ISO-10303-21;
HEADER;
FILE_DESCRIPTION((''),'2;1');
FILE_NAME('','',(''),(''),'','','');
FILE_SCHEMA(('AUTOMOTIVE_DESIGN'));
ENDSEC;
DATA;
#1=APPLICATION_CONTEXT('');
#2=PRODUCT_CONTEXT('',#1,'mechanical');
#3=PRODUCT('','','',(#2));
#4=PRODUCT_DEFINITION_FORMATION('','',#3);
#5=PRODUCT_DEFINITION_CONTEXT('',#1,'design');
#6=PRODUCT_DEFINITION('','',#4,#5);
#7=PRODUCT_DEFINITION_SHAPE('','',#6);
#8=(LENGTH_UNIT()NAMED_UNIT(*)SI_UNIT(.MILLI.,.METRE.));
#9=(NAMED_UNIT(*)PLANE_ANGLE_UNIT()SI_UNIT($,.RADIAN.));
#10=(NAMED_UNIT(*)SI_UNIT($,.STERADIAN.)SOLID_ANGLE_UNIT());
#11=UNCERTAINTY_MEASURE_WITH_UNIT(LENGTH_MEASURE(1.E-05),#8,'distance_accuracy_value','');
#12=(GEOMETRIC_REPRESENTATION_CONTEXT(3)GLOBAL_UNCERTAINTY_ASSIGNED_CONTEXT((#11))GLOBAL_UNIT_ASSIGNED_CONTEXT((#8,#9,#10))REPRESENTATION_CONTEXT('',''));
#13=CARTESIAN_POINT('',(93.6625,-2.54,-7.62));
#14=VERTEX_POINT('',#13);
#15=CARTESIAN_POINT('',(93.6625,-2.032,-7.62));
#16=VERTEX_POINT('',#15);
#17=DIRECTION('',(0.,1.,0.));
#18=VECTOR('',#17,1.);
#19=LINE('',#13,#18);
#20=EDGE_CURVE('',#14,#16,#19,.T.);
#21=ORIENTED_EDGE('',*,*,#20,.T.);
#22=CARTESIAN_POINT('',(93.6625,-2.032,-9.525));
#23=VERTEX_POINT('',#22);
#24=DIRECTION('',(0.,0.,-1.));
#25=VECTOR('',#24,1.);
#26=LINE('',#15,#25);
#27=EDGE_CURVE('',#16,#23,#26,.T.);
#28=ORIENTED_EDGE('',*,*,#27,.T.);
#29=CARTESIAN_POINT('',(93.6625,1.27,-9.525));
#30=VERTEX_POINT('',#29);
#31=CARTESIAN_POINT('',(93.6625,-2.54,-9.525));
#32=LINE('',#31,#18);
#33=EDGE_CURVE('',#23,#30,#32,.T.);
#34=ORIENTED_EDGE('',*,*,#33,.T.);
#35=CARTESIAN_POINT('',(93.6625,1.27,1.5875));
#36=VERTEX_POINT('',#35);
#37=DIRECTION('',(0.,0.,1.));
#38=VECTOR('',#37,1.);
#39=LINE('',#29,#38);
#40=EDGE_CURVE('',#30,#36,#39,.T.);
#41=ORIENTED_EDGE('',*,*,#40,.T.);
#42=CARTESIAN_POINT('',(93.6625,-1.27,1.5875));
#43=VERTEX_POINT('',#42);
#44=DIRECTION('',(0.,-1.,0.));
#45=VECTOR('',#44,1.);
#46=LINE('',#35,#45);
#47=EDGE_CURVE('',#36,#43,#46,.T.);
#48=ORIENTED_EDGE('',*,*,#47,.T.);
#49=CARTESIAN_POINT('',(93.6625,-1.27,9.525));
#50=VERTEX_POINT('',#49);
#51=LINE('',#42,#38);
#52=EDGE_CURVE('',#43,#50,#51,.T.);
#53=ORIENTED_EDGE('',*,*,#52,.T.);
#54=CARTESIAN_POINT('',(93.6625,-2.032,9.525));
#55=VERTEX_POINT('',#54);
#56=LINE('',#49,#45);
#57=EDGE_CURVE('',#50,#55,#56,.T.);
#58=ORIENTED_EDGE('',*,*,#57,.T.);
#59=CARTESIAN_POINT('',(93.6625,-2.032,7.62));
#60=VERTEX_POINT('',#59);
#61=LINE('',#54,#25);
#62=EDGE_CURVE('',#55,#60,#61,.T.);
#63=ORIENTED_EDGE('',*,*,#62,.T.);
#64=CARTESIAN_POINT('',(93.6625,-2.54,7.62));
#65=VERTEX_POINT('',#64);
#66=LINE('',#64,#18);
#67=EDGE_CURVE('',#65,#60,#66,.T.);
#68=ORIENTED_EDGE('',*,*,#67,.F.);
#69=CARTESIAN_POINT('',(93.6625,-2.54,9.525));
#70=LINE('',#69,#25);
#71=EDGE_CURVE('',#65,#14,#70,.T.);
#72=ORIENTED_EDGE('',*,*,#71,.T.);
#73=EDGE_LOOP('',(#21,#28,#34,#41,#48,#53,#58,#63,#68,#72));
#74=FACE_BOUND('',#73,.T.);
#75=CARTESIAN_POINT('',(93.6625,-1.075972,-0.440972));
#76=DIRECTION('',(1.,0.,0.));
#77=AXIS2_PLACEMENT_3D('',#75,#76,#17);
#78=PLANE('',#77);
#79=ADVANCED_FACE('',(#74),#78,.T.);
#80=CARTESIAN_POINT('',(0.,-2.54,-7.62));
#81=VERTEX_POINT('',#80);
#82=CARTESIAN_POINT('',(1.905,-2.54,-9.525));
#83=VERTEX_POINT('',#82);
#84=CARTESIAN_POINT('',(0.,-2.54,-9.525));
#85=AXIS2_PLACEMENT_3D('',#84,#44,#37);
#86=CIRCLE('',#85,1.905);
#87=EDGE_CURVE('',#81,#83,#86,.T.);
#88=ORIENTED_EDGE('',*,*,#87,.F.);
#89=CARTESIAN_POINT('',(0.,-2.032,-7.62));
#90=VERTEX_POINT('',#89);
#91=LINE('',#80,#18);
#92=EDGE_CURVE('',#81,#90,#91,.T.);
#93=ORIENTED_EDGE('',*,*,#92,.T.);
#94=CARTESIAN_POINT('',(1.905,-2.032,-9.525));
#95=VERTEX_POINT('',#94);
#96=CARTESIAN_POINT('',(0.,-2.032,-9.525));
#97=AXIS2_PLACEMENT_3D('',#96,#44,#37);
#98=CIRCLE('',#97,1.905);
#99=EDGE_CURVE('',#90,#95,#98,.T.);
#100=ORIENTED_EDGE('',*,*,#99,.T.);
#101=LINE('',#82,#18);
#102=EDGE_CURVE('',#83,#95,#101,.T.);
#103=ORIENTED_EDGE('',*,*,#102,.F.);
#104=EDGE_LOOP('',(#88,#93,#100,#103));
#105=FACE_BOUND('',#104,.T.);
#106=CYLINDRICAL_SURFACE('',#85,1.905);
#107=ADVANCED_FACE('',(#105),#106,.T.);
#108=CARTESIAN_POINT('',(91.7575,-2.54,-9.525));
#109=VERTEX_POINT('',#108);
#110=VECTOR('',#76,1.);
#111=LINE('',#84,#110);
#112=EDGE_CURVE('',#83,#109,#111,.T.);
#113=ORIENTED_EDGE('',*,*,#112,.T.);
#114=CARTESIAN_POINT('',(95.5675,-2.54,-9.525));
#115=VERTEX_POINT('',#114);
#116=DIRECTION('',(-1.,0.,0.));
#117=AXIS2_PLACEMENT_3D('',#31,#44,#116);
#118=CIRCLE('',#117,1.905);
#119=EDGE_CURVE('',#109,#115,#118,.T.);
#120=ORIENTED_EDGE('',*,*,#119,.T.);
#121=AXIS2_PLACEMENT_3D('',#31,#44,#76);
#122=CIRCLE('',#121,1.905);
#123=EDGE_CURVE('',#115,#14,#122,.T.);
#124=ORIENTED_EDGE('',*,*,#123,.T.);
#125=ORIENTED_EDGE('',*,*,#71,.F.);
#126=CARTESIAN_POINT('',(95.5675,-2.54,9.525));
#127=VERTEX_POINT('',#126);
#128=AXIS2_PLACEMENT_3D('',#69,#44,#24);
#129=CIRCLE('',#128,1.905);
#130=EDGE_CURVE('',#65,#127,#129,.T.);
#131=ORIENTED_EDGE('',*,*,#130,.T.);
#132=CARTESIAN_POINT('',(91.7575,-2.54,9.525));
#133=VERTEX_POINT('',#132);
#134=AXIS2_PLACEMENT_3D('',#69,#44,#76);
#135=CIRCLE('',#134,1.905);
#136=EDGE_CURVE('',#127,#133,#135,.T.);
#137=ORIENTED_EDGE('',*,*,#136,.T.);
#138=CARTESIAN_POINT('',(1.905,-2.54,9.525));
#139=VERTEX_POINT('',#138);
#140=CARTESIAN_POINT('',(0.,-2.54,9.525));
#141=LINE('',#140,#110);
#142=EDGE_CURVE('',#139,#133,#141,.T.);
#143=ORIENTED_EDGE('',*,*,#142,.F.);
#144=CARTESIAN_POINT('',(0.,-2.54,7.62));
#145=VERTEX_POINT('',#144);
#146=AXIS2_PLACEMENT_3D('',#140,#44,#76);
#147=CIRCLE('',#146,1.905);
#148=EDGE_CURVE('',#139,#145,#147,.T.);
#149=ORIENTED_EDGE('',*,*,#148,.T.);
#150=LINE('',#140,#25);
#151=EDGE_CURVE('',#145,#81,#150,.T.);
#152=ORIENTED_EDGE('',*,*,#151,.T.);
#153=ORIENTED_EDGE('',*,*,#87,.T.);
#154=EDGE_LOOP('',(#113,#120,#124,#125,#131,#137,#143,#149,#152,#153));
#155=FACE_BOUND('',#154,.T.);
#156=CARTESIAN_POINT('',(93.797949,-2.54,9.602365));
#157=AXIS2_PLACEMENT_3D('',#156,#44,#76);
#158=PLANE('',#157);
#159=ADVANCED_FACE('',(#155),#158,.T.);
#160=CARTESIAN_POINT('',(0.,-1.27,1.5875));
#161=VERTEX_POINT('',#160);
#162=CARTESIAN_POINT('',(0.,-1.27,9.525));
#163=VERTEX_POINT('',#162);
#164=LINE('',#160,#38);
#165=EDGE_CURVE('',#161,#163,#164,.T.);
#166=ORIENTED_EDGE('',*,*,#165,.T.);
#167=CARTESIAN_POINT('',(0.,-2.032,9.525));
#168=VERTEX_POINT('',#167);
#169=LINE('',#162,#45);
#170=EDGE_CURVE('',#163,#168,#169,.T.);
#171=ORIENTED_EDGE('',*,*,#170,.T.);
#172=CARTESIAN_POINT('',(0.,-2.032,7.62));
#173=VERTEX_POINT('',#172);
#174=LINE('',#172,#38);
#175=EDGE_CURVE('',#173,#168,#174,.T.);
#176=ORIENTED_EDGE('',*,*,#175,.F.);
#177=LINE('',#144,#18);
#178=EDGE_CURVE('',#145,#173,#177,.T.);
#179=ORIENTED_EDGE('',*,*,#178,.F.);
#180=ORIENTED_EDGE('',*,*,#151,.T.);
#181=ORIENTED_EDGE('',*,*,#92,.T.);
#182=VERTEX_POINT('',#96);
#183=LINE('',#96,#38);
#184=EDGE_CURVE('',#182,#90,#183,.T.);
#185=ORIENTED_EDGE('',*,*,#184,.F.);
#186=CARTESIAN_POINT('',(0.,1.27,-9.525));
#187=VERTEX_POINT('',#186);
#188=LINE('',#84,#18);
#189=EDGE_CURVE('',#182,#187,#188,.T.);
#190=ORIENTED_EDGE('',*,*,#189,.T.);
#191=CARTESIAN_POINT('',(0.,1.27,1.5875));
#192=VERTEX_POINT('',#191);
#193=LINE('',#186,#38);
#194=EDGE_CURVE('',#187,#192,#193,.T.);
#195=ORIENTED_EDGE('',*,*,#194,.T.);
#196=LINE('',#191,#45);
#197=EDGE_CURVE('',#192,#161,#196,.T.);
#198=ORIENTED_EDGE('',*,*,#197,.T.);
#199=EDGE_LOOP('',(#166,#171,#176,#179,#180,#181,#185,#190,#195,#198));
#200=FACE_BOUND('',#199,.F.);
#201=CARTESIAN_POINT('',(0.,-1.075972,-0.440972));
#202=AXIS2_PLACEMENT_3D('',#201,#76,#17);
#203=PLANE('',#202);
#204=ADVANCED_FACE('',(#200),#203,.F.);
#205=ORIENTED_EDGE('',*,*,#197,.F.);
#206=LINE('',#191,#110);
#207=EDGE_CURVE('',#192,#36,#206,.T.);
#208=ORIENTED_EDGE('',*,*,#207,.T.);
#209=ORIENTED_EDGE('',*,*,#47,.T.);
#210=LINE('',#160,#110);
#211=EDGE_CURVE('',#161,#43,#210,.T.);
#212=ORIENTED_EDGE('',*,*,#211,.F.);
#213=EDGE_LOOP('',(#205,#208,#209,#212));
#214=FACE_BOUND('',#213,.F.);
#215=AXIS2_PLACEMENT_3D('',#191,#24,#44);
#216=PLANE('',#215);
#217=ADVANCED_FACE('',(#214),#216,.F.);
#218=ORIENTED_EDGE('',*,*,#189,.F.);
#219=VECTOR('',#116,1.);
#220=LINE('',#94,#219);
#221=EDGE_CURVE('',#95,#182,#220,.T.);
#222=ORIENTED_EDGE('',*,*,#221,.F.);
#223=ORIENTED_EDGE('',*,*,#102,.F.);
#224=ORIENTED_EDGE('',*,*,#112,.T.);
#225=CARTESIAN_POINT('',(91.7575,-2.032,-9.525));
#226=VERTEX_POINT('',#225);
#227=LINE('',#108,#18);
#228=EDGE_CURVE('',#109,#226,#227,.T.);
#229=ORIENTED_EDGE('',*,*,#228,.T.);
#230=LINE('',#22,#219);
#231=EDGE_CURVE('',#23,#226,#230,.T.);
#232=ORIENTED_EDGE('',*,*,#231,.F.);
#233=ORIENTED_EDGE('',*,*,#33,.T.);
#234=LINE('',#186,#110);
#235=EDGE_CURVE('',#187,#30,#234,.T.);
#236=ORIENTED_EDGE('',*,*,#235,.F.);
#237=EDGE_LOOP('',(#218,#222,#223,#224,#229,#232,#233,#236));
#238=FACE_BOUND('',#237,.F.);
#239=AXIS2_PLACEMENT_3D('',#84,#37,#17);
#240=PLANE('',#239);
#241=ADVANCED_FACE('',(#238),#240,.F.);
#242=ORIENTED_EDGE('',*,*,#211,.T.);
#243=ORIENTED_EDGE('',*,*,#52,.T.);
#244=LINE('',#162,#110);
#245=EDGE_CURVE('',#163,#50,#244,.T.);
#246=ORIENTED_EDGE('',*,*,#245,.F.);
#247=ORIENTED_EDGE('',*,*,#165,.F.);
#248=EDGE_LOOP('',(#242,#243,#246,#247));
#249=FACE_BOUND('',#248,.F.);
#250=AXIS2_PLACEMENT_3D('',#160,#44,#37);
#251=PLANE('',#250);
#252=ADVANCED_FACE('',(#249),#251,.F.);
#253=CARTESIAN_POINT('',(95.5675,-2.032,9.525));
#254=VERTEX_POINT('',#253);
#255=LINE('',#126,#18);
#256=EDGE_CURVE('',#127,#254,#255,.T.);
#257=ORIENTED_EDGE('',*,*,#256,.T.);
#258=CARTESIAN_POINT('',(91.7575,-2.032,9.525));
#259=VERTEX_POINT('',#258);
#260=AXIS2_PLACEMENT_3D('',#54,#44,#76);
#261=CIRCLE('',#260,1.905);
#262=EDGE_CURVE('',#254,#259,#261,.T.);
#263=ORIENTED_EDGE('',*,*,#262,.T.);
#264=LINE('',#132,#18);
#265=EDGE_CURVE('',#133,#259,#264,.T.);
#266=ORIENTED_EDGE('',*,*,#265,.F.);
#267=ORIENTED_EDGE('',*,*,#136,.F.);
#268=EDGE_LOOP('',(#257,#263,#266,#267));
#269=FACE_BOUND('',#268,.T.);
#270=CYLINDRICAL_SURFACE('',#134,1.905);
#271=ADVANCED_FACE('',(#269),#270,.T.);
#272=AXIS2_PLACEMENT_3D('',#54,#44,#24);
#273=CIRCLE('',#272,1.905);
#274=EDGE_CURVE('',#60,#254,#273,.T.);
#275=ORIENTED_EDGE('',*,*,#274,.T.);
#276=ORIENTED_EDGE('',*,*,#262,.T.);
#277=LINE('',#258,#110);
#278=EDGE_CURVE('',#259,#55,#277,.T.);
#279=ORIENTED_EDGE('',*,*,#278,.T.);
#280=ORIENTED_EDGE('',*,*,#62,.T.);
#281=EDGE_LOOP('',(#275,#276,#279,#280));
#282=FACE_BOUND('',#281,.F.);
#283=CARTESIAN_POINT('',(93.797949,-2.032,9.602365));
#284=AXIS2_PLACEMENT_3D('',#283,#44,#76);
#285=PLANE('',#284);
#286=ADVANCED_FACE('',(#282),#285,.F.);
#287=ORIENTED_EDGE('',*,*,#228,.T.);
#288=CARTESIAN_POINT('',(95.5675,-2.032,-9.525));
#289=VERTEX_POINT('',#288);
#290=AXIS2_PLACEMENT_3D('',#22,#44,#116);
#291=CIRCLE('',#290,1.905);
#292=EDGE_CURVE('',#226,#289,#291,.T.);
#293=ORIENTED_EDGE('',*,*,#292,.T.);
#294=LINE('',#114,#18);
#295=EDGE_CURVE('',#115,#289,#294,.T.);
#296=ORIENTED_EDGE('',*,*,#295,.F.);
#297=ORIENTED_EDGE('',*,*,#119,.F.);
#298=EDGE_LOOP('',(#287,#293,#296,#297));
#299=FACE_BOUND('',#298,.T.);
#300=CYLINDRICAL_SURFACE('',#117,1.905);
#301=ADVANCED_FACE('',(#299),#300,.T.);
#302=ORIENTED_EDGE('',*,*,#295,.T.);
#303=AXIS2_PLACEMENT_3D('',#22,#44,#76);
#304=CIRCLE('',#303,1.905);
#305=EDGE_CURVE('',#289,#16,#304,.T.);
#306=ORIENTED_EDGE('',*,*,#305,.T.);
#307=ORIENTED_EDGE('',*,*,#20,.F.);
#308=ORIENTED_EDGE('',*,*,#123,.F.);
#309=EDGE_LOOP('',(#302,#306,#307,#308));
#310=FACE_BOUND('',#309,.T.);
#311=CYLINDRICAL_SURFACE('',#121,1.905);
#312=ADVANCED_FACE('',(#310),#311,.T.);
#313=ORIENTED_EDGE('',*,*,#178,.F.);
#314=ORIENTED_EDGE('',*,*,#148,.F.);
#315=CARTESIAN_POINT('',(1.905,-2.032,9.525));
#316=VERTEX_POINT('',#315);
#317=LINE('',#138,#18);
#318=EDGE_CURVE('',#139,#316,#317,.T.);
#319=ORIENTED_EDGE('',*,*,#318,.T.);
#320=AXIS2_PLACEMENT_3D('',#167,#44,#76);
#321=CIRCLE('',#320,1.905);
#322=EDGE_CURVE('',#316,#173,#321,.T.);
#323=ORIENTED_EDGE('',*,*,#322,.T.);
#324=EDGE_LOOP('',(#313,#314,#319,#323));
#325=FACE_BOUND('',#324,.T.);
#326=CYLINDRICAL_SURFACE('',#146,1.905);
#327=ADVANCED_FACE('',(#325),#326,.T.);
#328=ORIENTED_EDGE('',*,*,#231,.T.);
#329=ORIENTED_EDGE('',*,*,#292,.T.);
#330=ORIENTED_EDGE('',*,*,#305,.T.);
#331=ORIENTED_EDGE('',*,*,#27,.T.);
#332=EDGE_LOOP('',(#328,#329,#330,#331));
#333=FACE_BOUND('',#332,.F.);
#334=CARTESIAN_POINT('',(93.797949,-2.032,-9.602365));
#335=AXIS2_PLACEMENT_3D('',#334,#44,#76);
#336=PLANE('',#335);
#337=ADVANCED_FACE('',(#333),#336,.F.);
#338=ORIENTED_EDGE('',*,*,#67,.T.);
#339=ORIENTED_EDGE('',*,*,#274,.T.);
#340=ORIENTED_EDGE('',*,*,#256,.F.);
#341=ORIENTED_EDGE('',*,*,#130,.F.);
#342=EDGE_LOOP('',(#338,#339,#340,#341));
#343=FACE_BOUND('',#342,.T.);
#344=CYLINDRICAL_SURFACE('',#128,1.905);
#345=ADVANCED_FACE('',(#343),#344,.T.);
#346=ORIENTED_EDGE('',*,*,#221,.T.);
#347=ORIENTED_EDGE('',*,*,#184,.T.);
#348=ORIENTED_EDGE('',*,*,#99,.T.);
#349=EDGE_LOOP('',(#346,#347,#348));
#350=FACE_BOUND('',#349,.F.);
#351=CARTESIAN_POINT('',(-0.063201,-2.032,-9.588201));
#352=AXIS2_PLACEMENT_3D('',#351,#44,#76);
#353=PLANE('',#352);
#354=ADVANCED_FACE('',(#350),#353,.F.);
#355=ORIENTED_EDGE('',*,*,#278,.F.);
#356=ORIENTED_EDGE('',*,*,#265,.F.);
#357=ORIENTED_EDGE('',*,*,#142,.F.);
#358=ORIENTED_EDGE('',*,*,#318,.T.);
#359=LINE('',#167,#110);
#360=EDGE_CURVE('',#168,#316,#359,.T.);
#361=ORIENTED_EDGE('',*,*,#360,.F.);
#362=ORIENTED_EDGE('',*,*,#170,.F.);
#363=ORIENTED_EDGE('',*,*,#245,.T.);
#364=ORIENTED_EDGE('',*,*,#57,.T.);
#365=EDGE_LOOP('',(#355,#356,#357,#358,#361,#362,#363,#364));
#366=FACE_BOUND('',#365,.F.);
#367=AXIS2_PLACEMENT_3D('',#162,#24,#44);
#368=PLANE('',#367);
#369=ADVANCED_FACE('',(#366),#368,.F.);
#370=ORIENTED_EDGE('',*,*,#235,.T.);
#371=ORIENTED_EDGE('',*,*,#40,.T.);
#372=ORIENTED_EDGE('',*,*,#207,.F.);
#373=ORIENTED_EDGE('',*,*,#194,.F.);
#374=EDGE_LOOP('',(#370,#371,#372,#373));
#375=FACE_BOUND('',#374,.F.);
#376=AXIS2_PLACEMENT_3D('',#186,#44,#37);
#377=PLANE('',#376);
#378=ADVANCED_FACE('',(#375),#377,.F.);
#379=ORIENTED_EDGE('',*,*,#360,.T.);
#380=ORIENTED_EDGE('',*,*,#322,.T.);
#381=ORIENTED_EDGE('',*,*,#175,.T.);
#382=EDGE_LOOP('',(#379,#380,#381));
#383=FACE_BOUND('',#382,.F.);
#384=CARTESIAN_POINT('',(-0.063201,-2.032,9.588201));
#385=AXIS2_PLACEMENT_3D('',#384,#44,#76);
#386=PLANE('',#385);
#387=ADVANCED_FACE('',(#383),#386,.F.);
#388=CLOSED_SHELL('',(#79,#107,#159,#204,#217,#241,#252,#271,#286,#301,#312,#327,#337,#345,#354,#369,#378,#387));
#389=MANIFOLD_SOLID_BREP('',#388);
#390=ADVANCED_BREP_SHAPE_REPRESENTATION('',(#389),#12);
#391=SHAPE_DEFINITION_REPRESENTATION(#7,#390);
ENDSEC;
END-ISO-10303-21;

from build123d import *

# Parameters (mm, degrees)
F1_DEPTH = 93.6625
F3_DEPTH = 0.508


with BuildPart() as f1:
    # F0 (on Right) → F1 (new body)
    with BuildSketch(Plane.YZ):
        Polygon((1.27, -9.525), (1.27, 1.5875), (-1.27, 1.5875), (-1.27, 9.525), (-2.54, 9.525), (-2.54, -9.525), align=None)
    extrude(amount=F1_DEPTH)

    # F2 (on face) → F3 (join)
    with BuildSketch(Plane.XZ.offset(2.54)):
        with BuildLine():
            Line((93.6625, 9.525), (93.6625, 7.62))
            ThreePointArc((93.6625, 7.62), (95.0095384182, 8.1779615818), (95.5675, 9.525))
            ThreePointArc((95.5675, 9.525), (93.6625, 11.43), (91.7575, 9.525))
            Line((91.7575, 9.525), (93.6625, 9.525))
        make_face()
        with BuildLine():
            ThreePointArc((91.7575, -9.525), (93.6625, -11.43), (95.5675, -9.525))
            ThreePointArc((95.5675, -9.525), (95.0095384182, -8.1779615818), (93.6625, -7.62))
            Line((93.6625, -7.62), (93.6625, -9.525))
            Line((93.6625, -9.525), (91.7575, -9.525))
        make_face()
        with BuildLine():
            ThreePointArc((0, -7.62), (-1.3470384182, -10.8720384182), (1.905, -9.525))
            Line((1.905, -9.525), (0, -9.525))
            Line((0, -9.525), (0, -7.62))
        make_face()
        with BuildLine():
            Line((0, 9.525), (1.905, 9.525))
            ThreePointArc((1.905, 9.525), (-1.3470384182, 10.8720384182), (0, 7.62))
            Line((0, 7.62), (0, 9.525))
        make_face()
    extrude(amount=-F3_DEPTH)


solid = f1.part
